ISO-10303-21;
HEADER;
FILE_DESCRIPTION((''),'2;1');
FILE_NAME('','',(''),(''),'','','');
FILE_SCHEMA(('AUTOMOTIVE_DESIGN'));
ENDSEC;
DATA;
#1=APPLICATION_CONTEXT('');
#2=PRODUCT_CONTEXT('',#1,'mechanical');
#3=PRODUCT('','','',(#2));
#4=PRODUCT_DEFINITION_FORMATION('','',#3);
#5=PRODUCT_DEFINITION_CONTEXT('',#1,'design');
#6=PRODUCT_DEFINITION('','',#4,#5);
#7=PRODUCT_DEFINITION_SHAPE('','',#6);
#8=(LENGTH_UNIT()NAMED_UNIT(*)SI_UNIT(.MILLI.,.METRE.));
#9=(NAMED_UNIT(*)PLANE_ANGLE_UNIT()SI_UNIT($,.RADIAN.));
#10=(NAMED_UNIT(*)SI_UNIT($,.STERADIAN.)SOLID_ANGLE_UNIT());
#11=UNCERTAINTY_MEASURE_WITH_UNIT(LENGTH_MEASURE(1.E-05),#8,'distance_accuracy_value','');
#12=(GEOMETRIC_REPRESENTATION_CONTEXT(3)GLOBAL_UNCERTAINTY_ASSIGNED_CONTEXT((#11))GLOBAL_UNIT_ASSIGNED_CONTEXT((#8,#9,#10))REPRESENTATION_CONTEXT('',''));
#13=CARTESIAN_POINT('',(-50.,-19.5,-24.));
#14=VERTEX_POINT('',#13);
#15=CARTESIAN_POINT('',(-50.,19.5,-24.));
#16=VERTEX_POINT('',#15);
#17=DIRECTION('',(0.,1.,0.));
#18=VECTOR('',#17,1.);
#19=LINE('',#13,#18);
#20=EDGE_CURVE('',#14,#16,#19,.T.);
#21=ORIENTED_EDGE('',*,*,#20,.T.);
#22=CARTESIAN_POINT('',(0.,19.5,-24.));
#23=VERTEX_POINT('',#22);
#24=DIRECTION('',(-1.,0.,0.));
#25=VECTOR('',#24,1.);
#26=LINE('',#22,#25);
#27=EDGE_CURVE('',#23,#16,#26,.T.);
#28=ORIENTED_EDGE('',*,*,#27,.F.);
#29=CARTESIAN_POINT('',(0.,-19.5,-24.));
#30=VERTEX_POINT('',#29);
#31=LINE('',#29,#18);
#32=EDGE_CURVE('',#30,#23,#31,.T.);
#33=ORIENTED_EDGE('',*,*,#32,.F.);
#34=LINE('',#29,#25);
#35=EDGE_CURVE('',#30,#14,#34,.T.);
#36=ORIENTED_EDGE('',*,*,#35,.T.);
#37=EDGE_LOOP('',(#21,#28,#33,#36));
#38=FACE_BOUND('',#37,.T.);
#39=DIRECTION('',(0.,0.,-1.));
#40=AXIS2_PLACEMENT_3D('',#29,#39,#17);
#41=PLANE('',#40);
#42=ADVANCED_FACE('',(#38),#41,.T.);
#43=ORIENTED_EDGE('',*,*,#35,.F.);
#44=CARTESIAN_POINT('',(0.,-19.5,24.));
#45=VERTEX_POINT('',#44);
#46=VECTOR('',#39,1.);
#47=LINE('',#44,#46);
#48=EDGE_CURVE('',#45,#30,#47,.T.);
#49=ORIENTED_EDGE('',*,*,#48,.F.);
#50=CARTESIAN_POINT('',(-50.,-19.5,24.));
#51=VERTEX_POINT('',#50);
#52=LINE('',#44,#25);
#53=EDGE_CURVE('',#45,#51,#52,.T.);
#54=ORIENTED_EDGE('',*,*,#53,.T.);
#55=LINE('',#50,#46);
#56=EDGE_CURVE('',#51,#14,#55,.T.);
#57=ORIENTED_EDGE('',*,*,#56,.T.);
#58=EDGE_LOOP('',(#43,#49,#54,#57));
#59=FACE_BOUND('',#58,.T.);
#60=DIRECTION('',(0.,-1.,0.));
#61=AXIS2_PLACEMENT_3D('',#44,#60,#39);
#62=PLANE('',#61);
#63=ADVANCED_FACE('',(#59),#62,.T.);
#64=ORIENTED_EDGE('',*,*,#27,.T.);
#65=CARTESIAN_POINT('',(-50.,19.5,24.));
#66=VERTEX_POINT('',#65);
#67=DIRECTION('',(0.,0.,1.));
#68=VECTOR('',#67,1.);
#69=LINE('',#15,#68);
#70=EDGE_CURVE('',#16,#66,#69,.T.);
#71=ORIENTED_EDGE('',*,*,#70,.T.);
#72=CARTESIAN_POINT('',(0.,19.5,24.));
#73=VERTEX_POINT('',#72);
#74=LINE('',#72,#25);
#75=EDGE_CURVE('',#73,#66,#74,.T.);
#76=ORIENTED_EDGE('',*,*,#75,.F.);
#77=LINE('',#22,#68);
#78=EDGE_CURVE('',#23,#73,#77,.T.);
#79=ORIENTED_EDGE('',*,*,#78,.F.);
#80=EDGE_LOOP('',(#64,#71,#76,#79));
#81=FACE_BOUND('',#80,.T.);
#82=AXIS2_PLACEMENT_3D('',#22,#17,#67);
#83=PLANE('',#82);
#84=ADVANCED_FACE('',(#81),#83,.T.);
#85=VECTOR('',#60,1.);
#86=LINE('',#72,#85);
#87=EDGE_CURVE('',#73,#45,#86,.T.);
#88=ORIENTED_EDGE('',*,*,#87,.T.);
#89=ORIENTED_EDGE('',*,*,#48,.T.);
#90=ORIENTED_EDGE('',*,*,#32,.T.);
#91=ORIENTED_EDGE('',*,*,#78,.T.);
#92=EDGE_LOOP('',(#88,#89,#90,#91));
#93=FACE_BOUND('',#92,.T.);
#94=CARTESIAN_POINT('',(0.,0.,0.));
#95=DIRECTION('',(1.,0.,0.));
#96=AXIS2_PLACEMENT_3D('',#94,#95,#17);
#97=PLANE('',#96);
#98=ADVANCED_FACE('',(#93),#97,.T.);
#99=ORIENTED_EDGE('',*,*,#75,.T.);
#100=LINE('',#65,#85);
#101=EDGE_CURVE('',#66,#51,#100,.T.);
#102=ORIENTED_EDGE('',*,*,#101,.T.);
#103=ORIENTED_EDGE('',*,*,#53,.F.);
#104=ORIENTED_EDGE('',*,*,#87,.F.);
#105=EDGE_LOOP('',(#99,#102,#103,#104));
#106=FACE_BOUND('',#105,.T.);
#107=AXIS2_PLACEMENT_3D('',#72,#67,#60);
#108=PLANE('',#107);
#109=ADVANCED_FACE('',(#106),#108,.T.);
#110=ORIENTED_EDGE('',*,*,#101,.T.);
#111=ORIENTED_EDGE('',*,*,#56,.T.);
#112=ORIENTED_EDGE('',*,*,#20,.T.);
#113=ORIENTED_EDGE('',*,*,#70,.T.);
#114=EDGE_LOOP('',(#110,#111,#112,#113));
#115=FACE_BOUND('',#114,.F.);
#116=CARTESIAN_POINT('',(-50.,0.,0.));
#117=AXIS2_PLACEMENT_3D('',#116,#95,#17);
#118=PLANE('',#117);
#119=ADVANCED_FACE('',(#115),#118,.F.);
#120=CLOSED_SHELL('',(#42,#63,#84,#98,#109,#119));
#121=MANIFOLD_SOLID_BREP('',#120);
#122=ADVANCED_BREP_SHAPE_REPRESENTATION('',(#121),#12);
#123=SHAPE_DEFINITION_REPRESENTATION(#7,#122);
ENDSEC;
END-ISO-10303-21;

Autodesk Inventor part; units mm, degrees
ref_plane "YZ Plane" through (0, 0, 0) normal (1, 0, 0) x (0, 1, 0)
ref_plane "XZ Plane" through (0, 0, 0) normal (0, 1, 0) x (-1, 0, 0)
ref_plane "XY Plane" through (0, 0, 0) normal (0, 0, 1) x (1, 0, 0)
sketch "草图1" plane through (0, 0, 0) normal (1, 0, 0) x (0, 1, 0)
  line L0 (-19.5, -24) -> (19.5, -24)
  line L1 (19.5, -24) -> (19.5, 24)
  line L2 (19.5, 24) -> (-19.5, 24)
  line L3 (-19.5, 24) -> (-19.5, -24)
  line L4 (-19.5, -24) -> (19.5, 24) construction
  line L5 (19.5, -24) -> (-19.5, 24) construction
  point P0 (0, 0)
  dimension "d0" = 39
  dimension "d1" = 48
extrude "拉伸1" add sketch "草图1" against normal blind 50
properties part number "guide_base"
